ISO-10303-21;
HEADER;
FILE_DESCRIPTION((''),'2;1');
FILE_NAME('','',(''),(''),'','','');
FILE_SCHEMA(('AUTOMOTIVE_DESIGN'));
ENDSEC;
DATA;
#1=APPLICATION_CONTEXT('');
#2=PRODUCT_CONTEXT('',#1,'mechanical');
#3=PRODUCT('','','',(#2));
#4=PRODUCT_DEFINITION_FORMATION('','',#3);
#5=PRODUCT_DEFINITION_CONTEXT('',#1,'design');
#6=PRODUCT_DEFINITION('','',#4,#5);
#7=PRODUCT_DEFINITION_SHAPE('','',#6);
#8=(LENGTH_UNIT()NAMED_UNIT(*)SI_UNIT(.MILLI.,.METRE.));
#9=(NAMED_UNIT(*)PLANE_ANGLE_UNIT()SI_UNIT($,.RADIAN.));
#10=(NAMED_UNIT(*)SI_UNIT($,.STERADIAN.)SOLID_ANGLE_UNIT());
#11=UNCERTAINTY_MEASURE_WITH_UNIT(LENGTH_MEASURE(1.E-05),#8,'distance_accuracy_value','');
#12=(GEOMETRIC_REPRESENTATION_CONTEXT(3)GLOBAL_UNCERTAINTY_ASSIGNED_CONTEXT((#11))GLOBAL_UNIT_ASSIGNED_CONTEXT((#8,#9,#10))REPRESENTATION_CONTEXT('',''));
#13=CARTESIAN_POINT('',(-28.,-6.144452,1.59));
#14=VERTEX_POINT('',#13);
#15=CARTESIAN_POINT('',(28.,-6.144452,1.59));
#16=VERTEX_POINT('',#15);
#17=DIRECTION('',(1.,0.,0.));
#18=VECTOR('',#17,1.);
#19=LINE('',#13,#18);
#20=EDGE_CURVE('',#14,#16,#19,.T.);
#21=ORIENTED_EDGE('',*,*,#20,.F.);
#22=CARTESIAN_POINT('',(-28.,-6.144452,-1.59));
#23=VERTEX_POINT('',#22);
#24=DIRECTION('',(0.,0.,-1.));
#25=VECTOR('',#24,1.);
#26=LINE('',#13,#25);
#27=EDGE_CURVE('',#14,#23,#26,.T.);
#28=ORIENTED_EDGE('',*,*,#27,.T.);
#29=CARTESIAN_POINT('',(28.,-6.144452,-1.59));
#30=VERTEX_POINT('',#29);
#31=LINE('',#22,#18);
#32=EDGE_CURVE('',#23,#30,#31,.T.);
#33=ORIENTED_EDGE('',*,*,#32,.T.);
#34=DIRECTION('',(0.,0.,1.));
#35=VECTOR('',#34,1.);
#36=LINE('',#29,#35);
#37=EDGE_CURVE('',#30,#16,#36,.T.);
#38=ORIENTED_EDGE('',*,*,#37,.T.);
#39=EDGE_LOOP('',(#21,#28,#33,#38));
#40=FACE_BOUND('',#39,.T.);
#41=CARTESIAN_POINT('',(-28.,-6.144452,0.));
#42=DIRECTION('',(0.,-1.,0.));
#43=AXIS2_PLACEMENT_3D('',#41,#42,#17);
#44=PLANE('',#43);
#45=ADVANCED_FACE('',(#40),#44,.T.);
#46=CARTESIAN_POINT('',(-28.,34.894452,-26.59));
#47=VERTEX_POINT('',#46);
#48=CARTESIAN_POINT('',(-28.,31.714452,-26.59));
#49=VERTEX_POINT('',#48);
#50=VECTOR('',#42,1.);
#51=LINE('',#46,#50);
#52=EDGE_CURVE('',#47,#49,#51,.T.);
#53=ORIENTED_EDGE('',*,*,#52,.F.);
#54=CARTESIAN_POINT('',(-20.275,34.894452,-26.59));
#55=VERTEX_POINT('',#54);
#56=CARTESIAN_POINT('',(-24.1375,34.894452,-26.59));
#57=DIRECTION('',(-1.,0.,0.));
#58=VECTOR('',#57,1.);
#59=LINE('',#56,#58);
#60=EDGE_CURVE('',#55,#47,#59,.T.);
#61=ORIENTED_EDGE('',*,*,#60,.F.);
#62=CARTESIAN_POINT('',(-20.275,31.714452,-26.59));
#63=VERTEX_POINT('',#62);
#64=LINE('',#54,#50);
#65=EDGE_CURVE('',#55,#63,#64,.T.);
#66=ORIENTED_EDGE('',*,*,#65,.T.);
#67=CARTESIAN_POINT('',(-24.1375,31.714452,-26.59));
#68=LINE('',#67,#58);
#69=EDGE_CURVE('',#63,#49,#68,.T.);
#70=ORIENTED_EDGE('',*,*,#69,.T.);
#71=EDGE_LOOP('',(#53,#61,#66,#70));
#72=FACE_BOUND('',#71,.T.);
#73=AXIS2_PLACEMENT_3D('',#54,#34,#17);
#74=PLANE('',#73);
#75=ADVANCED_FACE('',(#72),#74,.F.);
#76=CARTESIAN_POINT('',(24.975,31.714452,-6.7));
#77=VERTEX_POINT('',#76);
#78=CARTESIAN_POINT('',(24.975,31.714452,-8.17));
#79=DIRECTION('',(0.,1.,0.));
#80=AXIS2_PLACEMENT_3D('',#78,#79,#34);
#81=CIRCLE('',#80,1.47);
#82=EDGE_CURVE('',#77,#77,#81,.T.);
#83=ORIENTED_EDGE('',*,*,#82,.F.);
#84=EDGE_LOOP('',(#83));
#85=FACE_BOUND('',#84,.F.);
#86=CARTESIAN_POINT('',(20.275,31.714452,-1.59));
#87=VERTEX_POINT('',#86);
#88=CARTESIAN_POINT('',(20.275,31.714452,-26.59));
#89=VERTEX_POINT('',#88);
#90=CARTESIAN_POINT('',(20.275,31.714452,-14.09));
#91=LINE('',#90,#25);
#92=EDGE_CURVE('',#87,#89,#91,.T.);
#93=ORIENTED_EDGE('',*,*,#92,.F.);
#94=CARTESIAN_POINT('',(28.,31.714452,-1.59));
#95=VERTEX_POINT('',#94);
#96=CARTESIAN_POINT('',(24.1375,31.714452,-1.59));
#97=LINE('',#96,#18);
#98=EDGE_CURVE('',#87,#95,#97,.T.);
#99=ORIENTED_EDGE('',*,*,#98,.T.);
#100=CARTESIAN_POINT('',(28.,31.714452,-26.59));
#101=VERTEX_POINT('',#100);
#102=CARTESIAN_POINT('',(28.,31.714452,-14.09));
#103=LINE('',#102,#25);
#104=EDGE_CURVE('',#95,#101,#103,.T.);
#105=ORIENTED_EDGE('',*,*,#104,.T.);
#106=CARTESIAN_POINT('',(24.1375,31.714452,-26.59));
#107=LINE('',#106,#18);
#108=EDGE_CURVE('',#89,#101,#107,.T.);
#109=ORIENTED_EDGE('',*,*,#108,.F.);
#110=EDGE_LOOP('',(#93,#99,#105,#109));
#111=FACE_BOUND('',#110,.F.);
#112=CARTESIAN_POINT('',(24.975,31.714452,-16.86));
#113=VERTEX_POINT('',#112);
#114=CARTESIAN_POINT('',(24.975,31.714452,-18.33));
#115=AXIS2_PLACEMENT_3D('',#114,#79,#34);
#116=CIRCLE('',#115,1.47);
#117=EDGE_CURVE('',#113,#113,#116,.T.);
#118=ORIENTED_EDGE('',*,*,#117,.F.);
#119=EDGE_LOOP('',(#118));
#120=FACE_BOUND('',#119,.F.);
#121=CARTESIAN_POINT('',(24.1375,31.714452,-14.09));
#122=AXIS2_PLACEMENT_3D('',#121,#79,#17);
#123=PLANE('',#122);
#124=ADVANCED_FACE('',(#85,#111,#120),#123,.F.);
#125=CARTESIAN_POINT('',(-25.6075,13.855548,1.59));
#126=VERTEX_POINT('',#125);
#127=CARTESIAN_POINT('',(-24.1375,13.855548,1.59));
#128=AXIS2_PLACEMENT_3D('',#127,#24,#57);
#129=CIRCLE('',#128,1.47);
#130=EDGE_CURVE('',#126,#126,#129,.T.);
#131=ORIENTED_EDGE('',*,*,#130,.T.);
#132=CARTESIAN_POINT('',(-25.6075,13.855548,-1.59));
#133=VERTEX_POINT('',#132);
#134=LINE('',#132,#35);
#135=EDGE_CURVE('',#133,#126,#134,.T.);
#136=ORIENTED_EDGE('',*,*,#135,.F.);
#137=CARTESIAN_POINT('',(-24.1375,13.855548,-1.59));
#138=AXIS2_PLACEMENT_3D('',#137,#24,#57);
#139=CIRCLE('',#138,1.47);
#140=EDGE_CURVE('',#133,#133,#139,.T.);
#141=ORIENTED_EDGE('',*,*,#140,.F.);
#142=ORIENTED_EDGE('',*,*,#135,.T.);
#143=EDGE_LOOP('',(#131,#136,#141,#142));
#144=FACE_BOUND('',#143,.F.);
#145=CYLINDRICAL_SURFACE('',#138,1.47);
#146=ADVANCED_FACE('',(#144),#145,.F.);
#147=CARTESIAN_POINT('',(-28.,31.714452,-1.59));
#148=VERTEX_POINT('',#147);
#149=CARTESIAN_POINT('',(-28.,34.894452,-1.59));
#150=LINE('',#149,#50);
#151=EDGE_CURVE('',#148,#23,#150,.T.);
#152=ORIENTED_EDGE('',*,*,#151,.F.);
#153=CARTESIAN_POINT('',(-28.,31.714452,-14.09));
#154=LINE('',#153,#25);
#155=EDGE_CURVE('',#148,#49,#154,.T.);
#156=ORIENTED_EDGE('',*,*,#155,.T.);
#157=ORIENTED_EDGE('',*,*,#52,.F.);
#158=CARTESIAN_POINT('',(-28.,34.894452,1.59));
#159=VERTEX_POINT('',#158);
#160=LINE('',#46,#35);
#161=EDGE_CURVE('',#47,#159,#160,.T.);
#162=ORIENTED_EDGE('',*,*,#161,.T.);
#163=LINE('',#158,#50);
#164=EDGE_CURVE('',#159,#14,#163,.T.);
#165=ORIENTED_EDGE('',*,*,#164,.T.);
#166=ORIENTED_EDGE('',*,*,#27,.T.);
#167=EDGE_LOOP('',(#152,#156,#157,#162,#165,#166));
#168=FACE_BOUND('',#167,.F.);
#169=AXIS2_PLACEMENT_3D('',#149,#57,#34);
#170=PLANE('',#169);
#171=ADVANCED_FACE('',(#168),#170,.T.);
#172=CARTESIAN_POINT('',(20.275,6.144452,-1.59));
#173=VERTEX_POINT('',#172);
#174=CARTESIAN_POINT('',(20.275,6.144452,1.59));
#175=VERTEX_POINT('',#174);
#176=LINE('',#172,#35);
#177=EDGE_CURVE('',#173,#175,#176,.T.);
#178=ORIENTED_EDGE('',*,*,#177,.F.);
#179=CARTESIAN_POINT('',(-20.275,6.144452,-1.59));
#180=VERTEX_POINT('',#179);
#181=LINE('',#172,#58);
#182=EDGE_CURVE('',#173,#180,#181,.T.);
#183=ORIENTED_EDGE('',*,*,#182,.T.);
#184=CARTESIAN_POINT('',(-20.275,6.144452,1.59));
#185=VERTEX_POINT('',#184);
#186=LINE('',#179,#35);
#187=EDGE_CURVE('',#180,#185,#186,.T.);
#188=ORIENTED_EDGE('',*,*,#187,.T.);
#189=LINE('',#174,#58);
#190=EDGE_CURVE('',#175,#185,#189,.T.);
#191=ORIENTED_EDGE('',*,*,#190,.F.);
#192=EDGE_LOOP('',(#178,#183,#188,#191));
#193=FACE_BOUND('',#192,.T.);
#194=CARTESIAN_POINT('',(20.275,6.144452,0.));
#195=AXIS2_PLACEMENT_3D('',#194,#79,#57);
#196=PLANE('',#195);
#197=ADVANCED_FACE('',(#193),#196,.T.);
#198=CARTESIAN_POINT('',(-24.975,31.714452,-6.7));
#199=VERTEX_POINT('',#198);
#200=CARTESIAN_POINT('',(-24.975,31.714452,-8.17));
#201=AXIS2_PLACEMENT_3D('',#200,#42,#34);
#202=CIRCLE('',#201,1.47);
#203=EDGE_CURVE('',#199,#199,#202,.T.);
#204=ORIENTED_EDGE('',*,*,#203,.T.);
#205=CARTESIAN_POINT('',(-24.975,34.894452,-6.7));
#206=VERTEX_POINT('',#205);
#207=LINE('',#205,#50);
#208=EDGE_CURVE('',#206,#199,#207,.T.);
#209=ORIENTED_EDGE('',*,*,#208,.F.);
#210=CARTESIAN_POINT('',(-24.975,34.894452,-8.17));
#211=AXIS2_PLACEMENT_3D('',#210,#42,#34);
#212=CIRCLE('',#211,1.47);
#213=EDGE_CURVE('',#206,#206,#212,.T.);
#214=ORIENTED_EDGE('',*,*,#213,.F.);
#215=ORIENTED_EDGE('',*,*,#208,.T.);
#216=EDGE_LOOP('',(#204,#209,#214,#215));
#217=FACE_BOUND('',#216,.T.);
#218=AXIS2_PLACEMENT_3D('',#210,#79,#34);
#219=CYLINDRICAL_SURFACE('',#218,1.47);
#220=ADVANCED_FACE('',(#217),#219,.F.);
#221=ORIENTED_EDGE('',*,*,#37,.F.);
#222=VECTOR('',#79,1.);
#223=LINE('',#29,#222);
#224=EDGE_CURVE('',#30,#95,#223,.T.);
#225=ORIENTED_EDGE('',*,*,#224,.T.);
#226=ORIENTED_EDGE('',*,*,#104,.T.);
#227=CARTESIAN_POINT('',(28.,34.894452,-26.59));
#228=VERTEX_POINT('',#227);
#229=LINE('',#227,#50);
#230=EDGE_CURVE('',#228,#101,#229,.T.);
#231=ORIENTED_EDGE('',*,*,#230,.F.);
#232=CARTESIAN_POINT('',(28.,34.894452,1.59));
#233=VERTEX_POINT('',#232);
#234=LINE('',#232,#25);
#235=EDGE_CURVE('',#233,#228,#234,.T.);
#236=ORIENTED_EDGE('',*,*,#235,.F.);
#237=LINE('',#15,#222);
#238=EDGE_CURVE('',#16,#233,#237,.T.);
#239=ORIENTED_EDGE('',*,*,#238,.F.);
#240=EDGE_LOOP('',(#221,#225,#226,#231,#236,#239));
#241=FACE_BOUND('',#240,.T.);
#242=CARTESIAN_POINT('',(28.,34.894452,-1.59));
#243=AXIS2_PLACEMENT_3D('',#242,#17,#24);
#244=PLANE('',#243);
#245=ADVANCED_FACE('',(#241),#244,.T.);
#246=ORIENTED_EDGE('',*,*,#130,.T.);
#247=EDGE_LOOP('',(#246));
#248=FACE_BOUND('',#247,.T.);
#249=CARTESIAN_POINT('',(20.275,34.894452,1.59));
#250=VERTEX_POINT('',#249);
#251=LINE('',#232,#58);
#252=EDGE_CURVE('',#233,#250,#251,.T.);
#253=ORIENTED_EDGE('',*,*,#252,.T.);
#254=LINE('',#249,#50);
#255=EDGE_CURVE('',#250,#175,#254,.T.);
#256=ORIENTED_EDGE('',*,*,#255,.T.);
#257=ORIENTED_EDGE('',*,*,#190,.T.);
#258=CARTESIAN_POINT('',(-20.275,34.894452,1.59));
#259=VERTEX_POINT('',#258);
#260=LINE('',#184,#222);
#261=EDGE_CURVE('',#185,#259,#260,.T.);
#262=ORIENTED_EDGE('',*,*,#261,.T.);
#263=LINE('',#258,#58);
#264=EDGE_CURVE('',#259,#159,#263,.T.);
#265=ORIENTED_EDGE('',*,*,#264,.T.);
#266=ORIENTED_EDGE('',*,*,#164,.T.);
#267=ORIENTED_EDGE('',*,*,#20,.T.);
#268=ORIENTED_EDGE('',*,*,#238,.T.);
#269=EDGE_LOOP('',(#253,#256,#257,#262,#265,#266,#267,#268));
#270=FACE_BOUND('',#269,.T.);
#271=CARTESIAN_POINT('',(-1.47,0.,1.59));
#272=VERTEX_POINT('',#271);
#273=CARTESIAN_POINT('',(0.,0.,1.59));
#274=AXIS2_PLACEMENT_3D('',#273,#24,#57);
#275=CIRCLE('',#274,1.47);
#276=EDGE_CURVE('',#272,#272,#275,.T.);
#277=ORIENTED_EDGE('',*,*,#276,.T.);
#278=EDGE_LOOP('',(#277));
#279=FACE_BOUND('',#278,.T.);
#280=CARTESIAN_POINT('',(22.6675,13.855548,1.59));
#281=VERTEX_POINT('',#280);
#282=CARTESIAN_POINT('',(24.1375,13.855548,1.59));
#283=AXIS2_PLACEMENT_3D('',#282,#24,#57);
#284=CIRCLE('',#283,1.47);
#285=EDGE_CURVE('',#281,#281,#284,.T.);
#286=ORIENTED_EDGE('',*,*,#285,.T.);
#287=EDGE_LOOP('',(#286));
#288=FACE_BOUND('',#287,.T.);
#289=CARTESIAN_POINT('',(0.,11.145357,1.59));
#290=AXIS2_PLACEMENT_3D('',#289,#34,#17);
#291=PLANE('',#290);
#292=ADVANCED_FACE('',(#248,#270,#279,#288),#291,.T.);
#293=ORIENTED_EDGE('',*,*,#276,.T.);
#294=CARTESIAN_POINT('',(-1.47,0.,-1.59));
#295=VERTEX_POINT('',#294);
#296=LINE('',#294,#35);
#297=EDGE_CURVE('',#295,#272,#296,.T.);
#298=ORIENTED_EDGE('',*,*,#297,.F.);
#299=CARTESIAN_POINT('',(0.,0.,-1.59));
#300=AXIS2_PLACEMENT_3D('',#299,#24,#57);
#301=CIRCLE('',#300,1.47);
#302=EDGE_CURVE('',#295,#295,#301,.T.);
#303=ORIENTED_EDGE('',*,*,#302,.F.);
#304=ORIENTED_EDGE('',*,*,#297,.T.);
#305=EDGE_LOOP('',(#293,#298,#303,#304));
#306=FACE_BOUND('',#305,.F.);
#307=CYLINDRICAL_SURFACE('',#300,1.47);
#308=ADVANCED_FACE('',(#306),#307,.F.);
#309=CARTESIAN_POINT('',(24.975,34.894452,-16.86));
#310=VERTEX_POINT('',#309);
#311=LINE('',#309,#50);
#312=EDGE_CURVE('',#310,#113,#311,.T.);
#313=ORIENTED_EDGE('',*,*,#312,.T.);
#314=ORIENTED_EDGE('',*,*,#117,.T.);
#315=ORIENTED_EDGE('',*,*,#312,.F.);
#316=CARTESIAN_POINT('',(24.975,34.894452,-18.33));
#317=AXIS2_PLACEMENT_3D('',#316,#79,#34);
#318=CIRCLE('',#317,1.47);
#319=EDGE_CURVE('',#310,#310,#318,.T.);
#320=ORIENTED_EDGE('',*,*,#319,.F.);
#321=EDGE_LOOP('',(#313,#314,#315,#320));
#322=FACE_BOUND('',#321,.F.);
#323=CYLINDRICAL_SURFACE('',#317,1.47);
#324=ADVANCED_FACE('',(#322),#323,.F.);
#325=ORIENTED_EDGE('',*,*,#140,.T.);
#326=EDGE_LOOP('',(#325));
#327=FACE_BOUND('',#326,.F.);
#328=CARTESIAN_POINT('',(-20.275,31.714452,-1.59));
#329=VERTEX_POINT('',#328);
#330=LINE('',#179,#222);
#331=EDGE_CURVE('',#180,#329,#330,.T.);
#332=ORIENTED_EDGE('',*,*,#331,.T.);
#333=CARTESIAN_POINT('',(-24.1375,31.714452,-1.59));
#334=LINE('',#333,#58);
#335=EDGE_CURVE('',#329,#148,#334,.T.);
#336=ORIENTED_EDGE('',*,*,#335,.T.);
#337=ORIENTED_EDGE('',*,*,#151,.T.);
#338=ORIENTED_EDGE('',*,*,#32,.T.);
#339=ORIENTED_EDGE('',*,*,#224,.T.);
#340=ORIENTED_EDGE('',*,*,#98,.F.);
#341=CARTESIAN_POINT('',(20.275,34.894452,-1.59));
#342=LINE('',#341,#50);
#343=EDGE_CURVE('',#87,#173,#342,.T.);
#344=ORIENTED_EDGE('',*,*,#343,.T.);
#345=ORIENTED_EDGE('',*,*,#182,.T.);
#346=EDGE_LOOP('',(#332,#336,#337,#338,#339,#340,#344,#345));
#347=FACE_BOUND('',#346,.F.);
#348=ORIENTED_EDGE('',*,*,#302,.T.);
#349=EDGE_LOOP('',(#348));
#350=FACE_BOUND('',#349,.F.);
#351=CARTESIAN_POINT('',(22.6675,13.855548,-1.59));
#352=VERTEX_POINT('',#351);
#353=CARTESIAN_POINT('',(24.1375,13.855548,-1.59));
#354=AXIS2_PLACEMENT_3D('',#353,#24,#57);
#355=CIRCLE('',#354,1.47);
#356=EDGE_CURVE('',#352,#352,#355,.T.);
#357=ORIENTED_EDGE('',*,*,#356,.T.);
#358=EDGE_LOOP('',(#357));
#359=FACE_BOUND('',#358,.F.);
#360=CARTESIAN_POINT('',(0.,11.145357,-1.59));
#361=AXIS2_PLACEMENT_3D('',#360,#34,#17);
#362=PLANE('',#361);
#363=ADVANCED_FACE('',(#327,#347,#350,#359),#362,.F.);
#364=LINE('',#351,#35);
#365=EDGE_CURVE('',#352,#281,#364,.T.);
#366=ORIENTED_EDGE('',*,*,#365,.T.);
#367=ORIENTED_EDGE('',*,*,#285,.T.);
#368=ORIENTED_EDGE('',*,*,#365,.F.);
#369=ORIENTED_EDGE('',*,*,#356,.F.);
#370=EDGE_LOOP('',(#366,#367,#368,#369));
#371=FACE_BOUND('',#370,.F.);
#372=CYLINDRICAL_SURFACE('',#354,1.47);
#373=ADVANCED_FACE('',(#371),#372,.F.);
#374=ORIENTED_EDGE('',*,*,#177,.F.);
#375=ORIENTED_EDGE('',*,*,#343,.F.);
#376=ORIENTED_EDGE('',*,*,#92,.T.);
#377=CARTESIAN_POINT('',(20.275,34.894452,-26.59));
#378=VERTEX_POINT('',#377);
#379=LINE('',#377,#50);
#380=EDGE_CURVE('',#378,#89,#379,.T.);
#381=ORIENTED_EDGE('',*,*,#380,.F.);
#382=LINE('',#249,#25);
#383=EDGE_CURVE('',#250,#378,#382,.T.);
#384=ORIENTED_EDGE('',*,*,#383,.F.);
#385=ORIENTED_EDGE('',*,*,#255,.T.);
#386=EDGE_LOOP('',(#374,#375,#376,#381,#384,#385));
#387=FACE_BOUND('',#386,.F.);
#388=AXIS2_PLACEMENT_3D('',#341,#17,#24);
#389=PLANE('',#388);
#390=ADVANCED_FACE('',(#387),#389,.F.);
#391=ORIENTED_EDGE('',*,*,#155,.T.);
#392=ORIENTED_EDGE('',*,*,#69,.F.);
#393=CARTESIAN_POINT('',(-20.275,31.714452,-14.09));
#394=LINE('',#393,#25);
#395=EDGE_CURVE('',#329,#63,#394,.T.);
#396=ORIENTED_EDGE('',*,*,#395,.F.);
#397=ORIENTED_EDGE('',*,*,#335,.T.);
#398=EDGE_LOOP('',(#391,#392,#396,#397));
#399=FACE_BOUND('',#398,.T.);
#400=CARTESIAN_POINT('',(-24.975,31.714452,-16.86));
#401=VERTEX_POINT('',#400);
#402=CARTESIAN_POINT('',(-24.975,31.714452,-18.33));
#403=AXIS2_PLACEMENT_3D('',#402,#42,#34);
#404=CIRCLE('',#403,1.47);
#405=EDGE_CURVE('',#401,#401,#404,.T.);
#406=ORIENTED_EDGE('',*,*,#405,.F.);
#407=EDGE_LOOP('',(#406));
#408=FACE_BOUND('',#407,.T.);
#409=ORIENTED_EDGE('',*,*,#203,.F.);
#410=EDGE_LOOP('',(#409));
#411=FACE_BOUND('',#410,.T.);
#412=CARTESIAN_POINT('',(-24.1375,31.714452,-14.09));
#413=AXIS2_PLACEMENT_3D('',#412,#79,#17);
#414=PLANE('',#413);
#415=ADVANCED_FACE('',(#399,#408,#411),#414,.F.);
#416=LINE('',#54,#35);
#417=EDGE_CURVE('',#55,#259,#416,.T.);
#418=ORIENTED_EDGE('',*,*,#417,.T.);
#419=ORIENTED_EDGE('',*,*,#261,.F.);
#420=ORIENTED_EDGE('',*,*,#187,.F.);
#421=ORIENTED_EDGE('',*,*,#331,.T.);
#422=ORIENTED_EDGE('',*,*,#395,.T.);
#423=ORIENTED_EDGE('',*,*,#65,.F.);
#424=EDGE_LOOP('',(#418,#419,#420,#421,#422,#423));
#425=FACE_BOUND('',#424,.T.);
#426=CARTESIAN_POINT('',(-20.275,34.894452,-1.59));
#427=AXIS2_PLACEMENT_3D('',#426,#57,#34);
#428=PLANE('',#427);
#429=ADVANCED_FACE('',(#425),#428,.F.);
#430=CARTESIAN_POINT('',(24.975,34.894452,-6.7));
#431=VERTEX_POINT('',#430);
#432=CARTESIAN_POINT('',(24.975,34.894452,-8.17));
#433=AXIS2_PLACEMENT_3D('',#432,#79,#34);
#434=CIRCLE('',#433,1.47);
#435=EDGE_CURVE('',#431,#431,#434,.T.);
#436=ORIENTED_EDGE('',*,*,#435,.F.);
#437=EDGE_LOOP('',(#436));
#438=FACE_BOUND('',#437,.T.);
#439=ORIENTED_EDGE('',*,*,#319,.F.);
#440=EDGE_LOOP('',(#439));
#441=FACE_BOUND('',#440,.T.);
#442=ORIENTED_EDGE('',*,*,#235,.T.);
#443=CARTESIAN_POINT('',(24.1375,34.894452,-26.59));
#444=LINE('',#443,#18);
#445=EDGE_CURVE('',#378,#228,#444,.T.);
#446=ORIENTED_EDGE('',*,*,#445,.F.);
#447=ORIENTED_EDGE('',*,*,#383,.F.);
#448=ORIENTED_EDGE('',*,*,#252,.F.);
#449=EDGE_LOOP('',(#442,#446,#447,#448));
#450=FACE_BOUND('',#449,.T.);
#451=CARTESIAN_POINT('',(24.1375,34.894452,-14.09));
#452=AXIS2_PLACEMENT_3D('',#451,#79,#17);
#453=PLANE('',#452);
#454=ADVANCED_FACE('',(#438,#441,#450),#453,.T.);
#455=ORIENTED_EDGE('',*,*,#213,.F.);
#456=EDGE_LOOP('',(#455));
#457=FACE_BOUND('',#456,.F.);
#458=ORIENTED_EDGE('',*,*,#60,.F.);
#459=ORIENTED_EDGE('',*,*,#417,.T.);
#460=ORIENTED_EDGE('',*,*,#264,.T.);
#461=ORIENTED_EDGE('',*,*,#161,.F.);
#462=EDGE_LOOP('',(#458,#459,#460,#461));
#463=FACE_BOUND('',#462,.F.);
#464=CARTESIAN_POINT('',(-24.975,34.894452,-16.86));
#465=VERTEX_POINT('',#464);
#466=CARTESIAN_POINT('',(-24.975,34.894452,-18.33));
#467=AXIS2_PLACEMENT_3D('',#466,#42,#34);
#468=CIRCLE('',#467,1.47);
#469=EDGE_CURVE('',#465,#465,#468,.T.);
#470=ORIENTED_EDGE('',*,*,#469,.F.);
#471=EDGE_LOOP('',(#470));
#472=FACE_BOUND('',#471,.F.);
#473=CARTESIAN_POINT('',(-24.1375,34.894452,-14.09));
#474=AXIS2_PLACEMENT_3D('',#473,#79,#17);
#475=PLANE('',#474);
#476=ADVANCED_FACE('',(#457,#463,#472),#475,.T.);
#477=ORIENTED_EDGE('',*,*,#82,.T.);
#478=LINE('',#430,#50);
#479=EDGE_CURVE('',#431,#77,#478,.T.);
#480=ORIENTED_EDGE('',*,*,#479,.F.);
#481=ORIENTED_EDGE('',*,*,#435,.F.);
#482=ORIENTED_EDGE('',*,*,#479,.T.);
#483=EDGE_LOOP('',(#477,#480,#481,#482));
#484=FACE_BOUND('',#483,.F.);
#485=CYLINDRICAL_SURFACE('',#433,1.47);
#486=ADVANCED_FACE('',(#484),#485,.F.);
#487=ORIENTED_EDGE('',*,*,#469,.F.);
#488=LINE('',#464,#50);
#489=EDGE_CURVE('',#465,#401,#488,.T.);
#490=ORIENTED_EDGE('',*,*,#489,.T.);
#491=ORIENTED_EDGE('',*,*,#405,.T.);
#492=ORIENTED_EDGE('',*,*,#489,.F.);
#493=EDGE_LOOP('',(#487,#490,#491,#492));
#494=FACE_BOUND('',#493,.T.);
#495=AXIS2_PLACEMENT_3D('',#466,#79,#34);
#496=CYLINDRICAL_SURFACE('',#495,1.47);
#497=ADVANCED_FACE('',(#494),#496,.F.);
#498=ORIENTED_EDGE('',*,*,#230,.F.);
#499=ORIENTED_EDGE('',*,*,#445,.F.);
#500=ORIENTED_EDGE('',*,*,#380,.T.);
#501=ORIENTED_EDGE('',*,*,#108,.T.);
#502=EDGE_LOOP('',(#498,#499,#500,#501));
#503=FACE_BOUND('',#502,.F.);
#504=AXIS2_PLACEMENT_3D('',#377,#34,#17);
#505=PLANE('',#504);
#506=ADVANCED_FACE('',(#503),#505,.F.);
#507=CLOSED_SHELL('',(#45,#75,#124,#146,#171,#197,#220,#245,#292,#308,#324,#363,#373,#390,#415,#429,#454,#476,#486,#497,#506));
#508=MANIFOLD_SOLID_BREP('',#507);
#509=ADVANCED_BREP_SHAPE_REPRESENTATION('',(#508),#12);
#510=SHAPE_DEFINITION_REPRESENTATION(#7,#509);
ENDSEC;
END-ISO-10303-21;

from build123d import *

# Parameters (mm, degrees)
BOSS_EXTRUDE4_DEPTH = 1.59
SKETCH5_W           = 7.725
SKETCH5_H           = 25
SKETCH5_R           = 1.47
BOSS_EXTRUDE5_DEPTH = 3.18
SKETCH7_R           = 1.47
CUT_EXTRUDE1_DEPTH  = 52.250588065


with BuildPart() as part:
    # Sketch2 → Boss-Extrude4 (new, symmetric)
    with BuildSketch(Plane.XY):
        Polygon((-28, -6.144451952), (28, -6.144451952), (28, 12.576257704), (28, 34.894451952), (20.275, 34.894451952), (20.275, 6.144451952), (-20.275, 6.144451952), (-20.275, 34.894451952), (-28, 34.894451952), (-28, 2.372923503), align=None)
    extrude(amount=BOSS_EXTRUDE4_DEPTH, both=True)

    # Sketch5 → Boss-Extrude5 (add)
    with BuildSketch(Plane(origin=(0, 34.894451952, 0), x_dir=(1, 0, 0), z_dir=(0, 1, 0))):
        with Locations((24.1375, 14.09)):
            Rectangle(SKETCH5_W, SKETCH5_H)
        with Locations(Location((24.975, 8.17, 0), (0, 0, 270))):
            Circle(SKETCH5_R, mode=Mode.SUBTRACT)
        with Locations(Location((24.975, 18.33, 0), (0, 0, 270))):
            Circle(SKETCH5_R, mode=Mode.SUBTRACT)
    boss_extrude5 = extrude(amount=-BOSS_EXTRUDE5_DEPTH)

    # Mirror1: Boss-Extrude5 across plane
    add(boss_extrude5.mirror(Plane(origin=(0, 0, 0), x_dir=(0, 0, 1), z_dir=(1, 0, 0))))

    # Sketch7 → Cut-Extrude1 (cut, through all)
    with BuildSketch(Plane(origin=(0, 0, -1.59), x_dir=(-1, 0, 0), z_dir=(0, 0, -1))):
        Circle(SKETCH7_R)
        with Locations((24.1375, 13.855548048)):
            Circle(SKETCH7_R)
        with Locations((-24.1375, 13.855548048)):
            Circle(SKETCH7_R)
    extrude(amount=-CUT_EXTRUDE1_DEPTH, mode=Mode.SUBTRACT)


solid = part.part
